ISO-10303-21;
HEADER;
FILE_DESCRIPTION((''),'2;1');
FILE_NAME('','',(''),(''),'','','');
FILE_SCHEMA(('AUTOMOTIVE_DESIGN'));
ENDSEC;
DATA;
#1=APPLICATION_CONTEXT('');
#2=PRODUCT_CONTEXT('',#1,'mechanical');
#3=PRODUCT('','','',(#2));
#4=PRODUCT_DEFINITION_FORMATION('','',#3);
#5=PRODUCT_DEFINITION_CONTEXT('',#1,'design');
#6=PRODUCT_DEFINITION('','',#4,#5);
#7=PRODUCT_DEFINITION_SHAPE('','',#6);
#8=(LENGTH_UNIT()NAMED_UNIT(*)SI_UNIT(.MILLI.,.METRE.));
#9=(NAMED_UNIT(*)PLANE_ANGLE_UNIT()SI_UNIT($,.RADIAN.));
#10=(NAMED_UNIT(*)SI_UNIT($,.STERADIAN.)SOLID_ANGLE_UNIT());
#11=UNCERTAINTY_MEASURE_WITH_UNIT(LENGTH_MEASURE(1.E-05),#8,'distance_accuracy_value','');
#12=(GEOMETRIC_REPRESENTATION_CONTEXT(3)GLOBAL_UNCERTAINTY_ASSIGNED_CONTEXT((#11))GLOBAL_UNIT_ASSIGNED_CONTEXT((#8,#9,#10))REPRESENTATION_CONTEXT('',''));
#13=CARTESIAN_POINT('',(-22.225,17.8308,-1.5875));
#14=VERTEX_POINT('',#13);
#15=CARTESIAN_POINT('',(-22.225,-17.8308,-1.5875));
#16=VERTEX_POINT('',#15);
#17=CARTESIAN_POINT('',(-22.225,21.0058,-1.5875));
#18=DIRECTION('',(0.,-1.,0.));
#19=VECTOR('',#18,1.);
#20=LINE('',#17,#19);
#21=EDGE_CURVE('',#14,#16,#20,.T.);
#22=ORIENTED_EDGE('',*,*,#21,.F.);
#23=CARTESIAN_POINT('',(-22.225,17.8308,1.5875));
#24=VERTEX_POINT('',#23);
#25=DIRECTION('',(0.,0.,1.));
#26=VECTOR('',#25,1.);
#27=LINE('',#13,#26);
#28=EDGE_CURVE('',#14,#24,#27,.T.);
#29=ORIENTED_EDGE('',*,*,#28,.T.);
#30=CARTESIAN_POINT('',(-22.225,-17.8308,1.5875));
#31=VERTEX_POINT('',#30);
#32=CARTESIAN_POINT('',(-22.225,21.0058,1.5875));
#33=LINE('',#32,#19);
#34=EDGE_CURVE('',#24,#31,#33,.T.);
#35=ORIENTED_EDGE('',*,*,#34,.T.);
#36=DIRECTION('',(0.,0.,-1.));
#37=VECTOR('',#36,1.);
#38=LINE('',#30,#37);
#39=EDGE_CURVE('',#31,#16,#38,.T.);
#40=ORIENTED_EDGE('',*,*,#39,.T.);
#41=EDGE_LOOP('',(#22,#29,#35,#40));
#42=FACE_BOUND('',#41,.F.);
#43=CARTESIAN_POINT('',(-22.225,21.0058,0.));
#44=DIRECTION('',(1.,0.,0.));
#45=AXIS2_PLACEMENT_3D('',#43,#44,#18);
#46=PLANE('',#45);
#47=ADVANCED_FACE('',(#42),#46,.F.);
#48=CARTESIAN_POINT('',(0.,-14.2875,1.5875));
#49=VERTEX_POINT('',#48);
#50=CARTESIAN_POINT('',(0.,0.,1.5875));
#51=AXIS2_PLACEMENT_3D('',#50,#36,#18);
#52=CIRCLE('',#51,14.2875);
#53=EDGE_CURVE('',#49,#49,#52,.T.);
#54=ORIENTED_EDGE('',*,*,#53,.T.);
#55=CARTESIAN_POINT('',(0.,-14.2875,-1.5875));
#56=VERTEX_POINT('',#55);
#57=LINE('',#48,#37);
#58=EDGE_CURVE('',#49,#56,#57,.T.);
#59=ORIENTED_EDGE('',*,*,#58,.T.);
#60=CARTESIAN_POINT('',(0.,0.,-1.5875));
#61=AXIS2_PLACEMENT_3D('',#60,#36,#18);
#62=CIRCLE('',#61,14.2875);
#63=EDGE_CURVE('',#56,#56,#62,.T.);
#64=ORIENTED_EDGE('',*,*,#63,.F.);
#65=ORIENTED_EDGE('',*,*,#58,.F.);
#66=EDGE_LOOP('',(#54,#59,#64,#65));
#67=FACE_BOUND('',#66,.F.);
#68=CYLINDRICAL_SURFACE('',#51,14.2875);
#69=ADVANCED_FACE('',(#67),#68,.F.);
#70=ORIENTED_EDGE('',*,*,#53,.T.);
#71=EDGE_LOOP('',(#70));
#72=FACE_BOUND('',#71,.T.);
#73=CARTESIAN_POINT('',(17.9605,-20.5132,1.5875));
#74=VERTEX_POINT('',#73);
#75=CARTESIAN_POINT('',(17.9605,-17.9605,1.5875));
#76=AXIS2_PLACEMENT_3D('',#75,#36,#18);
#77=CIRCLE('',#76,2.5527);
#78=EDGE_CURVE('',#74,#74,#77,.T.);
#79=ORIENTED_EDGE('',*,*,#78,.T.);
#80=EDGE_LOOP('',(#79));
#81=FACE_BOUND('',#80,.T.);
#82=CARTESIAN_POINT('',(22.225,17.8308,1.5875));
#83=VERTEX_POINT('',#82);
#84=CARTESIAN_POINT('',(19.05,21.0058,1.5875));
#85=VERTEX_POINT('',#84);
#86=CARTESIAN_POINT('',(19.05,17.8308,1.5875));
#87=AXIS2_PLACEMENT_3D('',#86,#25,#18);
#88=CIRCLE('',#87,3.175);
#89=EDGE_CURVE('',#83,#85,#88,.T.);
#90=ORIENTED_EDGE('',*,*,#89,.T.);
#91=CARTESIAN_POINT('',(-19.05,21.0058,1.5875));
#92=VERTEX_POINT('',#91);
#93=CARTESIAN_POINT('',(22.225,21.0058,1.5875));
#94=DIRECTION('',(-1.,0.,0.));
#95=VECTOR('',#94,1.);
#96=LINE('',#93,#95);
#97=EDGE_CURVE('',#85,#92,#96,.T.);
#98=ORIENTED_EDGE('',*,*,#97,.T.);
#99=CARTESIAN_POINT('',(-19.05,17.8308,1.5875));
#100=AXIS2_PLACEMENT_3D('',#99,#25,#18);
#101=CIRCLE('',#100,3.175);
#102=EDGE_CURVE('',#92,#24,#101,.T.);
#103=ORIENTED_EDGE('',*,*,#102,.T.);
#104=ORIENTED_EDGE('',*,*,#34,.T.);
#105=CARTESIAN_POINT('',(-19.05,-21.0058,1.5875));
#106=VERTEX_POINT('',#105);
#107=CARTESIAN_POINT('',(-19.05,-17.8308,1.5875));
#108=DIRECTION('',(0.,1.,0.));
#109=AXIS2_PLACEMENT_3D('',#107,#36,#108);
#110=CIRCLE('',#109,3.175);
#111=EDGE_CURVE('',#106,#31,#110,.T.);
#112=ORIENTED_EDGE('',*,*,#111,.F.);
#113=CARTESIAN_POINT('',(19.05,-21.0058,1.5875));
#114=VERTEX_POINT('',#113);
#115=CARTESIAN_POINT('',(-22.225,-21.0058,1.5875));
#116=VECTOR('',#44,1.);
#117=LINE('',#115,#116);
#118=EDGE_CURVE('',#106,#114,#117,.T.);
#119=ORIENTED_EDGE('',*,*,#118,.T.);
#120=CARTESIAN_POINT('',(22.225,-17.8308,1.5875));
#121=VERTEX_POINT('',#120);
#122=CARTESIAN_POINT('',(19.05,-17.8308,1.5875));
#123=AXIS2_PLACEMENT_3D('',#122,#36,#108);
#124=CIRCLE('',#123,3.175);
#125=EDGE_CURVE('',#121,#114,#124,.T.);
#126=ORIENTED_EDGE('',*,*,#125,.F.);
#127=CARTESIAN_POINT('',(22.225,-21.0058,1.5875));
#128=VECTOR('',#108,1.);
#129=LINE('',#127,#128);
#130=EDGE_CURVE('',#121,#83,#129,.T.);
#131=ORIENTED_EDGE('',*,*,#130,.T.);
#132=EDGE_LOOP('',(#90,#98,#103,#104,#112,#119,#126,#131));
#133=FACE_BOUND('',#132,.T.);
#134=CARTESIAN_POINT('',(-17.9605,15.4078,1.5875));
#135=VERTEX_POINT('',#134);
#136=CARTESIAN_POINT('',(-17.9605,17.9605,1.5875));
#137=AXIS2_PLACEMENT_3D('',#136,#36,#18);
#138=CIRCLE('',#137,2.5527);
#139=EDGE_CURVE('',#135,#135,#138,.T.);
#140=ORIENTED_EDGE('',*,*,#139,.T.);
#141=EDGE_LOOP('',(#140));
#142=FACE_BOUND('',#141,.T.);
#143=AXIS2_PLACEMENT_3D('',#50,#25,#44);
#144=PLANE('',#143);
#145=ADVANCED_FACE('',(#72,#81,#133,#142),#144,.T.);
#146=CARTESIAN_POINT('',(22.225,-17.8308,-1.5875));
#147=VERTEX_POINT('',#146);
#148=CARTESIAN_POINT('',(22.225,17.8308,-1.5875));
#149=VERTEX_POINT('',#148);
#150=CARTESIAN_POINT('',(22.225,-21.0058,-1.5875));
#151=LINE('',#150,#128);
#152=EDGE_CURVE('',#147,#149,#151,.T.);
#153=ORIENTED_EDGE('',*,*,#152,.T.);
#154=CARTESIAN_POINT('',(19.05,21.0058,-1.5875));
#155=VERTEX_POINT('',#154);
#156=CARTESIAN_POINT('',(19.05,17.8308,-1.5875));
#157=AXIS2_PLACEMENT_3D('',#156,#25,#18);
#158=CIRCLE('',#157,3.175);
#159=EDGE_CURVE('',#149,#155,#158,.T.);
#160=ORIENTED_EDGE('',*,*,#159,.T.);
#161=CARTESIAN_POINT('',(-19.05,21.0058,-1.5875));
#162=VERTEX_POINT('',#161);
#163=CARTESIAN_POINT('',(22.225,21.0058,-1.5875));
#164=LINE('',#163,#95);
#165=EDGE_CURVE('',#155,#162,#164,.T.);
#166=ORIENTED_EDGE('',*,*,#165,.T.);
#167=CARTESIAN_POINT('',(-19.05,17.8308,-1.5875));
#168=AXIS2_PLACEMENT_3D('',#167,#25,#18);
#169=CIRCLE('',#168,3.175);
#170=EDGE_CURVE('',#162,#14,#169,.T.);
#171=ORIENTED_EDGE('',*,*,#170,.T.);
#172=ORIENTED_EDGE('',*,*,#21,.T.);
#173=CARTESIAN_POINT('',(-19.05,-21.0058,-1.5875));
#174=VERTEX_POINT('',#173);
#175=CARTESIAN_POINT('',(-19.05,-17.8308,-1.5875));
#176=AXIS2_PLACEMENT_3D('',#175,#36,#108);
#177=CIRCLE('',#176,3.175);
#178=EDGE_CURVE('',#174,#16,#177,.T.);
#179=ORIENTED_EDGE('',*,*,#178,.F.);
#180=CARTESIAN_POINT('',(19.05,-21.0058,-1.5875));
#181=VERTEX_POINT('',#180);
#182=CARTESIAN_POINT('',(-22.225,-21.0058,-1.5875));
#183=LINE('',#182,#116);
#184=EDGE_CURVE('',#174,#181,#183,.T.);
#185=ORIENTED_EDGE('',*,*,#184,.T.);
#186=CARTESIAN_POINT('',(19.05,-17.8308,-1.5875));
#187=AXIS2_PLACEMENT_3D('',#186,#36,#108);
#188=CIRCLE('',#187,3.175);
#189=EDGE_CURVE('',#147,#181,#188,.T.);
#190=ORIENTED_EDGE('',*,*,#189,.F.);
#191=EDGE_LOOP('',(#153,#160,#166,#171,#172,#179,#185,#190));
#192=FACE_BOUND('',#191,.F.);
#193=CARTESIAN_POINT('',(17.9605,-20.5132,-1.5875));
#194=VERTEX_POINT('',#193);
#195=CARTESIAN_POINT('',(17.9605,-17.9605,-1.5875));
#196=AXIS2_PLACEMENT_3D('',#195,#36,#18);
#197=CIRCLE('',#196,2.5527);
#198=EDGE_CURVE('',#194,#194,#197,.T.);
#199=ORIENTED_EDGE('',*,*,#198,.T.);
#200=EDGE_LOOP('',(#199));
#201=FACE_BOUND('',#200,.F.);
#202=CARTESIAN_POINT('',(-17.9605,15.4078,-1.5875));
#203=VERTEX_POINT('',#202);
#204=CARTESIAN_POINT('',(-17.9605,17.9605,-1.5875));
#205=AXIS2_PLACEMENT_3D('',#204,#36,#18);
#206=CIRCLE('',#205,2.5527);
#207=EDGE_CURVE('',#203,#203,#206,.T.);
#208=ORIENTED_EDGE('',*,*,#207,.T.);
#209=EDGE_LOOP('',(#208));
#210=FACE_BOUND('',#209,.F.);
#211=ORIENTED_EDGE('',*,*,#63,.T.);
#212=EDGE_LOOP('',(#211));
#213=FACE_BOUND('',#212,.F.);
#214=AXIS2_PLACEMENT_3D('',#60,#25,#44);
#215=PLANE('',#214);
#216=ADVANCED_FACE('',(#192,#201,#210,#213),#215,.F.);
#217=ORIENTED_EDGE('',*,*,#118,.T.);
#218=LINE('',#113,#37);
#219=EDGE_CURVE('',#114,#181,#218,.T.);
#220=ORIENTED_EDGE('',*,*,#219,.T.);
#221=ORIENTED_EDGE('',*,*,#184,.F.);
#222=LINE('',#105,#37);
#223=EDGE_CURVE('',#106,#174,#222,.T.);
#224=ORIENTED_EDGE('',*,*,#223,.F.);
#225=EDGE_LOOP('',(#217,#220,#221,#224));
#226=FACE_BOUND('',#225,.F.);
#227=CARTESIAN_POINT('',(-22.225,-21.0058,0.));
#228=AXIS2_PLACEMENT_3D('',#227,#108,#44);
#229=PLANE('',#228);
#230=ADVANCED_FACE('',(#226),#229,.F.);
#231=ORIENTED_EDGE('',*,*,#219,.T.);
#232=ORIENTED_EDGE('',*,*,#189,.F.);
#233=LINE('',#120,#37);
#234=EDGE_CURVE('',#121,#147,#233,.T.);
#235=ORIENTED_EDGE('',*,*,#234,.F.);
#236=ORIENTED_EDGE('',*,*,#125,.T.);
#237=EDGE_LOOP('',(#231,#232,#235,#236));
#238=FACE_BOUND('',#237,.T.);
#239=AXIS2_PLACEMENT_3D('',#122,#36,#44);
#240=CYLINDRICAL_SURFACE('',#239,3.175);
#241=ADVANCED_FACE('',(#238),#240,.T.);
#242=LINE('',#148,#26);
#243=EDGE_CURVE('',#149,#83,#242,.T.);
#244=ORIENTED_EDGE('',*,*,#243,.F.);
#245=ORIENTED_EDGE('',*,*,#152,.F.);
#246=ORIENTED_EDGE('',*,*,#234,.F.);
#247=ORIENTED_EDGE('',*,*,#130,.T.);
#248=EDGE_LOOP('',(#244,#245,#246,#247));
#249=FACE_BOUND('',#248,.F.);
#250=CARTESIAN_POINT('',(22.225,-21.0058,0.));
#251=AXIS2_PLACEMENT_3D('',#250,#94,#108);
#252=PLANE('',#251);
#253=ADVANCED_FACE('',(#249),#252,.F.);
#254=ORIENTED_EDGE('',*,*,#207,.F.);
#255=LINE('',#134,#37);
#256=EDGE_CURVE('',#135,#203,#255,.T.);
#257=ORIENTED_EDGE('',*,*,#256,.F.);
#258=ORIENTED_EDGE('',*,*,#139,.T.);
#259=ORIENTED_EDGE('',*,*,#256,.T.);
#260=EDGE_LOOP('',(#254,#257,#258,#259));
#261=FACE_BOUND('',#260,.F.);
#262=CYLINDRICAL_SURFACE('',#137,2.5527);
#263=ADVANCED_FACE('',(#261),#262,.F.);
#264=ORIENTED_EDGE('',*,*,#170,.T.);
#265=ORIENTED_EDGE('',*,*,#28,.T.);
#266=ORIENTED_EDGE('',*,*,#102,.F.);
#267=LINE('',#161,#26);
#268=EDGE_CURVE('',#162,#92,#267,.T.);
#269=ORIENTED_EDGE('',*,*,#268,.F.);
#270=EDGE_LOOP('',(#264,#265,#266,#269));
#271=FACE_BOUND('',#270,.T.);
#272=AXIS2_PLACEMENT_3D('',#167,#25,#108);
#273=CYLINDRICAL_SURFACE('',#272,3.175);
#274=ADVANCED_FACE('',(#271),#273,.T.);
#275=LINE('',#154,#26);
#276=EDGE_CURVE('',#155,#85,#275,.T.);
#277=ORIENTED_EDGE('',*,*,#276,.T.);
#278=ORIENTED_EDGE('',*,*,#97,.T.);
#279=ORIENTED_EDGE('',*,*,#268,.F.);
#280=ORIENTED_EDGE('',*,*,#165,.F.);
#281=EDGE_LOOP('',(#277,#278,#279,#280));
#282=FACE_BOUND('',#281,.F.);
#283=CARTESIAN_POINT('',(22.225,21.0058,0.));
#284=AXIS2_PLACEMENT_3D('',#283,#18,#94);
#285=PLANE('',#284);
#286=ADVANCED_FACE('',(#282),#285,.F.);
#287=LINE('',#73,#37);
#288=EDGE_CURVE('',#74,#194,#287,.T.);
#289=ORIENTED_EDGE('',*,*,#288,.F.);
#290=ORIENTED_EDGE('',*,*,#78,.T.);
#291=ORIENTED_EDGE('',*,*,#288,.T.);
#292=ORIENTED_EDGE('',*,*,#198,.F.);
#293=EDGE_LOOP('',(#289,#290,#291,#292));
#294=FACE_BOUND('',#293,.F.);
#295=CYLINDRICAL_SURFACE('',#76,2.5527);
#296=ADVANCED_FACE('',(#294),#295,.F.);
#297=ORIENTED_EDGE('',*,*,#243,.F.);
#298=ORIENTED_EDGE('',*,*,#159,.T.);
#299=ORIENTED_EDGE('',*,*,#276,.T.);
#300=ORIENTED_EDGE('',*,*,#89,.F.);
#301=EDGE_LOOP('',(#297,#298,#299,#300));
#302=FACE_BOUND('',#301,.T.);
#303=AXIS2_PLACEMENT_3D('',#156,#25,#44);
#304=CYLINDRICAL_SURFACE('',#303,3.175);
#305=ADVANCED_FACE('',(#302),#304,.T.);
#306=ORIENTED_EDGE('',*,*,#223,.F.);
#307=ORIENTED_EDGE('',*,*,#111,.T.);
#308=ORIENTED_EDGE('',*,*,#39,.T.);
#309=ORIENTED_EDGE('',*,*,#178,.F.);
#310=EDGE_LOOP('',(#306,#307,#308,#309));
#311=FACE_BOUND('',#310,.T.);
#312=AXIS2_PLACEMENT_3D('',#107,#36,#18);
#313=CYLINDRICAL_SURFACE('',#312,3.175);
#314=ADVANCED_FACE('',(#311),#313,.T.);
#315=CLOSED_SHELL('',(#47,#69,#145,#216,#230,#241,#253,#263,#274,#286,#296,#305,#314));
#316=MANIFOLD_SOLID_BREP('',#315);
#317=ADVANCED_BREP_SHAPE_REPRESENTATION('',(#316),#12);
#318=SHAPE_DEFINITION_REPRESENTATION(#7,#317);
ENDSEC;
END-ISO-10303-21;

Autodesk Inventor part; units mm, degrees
ref_plane "YZ Plane" through (0, 0, 0) normal (1, 0, 0) x (0, 1, 0)
ref_plane "XZ Plane" through (0, 0, 0) normal (0, 1, 0) x (-1, 0, 0)
ref_plane "XY Plane" through (0, 0, 0) normal (0, 0, 1) x (1, 0, 0)
sketch "Sketch2" plane through (0, 0, 0) normal (0, 0, 1) x (1, 0, 0)
  line L0 (22.225, 21.0058) -> (-22.225, 21.0058)
  line L1 (-22.225, 21.0058) -> (-22.225, -21.0058)
  line L2 (-22.225, -21.0058) -> (22.225, -21.0058)
  line L3 (22.225, -21.0058) -> (22.225, 21.0058)
  line L4 (22.225, 21.0058) -> (-22.225, -21.0058) construction
  line L5 (-22.225, 21.0058) -> (22.225, -21.0058) construction
  point P0 (0, 0)
  dimension "d0" = 44.45
  dimension "d1" = 42.0116
extrude "Extrusion1" add sketch "Sketch2" along normal mid plane 3.175
sketch "Sketch3" plane through (0, 0, 1.5875) normal (0, 0, 1) x (1, 0, 0)
  point P0 (0, 0)
  point P1 (0, 0)
hole "Hole1" at (0, 0, 1.5875) direction (0, 0, -1) diameter 28.575 end through all
sketch "Sketch4" plane through (0, 0, 1.5875) normal (0, 0, 1) x (1, 0, 0)
  line L0 (17.9605, -17.9605) -> (-17.9605, 17.9605) construction
  line L1 (-31.115, 0) -> (31.115, 0) construction
  line L2 (0, 29.4081) -> (0, -29.4081) construction
  point P0 (0, 0)
  point P1 (0, 0)
  dimension "d11" = 45
  dimension "d12" = 50.8
hole "Hole2" at (17.9605, -17.9605, 1.5875) at (-17.9605, 17.9605, 1.5875) direction (0, 0, -1) diameter 5.1054 end through all clearance for "Flat Head Machine Screw (82)" size "#10" standard "Ansi Unified Screw Threads"
fillet "Fillet1" radius 3.175 4 edges at (22.225, -21.0058, 0) (-22.225, 21.0058, 0) (22.225, 21.0058, 0) (-22.225, -21.0058, 0)
properties part number "SPACER,NEO550,ARM" material "Nylon 6/6"
